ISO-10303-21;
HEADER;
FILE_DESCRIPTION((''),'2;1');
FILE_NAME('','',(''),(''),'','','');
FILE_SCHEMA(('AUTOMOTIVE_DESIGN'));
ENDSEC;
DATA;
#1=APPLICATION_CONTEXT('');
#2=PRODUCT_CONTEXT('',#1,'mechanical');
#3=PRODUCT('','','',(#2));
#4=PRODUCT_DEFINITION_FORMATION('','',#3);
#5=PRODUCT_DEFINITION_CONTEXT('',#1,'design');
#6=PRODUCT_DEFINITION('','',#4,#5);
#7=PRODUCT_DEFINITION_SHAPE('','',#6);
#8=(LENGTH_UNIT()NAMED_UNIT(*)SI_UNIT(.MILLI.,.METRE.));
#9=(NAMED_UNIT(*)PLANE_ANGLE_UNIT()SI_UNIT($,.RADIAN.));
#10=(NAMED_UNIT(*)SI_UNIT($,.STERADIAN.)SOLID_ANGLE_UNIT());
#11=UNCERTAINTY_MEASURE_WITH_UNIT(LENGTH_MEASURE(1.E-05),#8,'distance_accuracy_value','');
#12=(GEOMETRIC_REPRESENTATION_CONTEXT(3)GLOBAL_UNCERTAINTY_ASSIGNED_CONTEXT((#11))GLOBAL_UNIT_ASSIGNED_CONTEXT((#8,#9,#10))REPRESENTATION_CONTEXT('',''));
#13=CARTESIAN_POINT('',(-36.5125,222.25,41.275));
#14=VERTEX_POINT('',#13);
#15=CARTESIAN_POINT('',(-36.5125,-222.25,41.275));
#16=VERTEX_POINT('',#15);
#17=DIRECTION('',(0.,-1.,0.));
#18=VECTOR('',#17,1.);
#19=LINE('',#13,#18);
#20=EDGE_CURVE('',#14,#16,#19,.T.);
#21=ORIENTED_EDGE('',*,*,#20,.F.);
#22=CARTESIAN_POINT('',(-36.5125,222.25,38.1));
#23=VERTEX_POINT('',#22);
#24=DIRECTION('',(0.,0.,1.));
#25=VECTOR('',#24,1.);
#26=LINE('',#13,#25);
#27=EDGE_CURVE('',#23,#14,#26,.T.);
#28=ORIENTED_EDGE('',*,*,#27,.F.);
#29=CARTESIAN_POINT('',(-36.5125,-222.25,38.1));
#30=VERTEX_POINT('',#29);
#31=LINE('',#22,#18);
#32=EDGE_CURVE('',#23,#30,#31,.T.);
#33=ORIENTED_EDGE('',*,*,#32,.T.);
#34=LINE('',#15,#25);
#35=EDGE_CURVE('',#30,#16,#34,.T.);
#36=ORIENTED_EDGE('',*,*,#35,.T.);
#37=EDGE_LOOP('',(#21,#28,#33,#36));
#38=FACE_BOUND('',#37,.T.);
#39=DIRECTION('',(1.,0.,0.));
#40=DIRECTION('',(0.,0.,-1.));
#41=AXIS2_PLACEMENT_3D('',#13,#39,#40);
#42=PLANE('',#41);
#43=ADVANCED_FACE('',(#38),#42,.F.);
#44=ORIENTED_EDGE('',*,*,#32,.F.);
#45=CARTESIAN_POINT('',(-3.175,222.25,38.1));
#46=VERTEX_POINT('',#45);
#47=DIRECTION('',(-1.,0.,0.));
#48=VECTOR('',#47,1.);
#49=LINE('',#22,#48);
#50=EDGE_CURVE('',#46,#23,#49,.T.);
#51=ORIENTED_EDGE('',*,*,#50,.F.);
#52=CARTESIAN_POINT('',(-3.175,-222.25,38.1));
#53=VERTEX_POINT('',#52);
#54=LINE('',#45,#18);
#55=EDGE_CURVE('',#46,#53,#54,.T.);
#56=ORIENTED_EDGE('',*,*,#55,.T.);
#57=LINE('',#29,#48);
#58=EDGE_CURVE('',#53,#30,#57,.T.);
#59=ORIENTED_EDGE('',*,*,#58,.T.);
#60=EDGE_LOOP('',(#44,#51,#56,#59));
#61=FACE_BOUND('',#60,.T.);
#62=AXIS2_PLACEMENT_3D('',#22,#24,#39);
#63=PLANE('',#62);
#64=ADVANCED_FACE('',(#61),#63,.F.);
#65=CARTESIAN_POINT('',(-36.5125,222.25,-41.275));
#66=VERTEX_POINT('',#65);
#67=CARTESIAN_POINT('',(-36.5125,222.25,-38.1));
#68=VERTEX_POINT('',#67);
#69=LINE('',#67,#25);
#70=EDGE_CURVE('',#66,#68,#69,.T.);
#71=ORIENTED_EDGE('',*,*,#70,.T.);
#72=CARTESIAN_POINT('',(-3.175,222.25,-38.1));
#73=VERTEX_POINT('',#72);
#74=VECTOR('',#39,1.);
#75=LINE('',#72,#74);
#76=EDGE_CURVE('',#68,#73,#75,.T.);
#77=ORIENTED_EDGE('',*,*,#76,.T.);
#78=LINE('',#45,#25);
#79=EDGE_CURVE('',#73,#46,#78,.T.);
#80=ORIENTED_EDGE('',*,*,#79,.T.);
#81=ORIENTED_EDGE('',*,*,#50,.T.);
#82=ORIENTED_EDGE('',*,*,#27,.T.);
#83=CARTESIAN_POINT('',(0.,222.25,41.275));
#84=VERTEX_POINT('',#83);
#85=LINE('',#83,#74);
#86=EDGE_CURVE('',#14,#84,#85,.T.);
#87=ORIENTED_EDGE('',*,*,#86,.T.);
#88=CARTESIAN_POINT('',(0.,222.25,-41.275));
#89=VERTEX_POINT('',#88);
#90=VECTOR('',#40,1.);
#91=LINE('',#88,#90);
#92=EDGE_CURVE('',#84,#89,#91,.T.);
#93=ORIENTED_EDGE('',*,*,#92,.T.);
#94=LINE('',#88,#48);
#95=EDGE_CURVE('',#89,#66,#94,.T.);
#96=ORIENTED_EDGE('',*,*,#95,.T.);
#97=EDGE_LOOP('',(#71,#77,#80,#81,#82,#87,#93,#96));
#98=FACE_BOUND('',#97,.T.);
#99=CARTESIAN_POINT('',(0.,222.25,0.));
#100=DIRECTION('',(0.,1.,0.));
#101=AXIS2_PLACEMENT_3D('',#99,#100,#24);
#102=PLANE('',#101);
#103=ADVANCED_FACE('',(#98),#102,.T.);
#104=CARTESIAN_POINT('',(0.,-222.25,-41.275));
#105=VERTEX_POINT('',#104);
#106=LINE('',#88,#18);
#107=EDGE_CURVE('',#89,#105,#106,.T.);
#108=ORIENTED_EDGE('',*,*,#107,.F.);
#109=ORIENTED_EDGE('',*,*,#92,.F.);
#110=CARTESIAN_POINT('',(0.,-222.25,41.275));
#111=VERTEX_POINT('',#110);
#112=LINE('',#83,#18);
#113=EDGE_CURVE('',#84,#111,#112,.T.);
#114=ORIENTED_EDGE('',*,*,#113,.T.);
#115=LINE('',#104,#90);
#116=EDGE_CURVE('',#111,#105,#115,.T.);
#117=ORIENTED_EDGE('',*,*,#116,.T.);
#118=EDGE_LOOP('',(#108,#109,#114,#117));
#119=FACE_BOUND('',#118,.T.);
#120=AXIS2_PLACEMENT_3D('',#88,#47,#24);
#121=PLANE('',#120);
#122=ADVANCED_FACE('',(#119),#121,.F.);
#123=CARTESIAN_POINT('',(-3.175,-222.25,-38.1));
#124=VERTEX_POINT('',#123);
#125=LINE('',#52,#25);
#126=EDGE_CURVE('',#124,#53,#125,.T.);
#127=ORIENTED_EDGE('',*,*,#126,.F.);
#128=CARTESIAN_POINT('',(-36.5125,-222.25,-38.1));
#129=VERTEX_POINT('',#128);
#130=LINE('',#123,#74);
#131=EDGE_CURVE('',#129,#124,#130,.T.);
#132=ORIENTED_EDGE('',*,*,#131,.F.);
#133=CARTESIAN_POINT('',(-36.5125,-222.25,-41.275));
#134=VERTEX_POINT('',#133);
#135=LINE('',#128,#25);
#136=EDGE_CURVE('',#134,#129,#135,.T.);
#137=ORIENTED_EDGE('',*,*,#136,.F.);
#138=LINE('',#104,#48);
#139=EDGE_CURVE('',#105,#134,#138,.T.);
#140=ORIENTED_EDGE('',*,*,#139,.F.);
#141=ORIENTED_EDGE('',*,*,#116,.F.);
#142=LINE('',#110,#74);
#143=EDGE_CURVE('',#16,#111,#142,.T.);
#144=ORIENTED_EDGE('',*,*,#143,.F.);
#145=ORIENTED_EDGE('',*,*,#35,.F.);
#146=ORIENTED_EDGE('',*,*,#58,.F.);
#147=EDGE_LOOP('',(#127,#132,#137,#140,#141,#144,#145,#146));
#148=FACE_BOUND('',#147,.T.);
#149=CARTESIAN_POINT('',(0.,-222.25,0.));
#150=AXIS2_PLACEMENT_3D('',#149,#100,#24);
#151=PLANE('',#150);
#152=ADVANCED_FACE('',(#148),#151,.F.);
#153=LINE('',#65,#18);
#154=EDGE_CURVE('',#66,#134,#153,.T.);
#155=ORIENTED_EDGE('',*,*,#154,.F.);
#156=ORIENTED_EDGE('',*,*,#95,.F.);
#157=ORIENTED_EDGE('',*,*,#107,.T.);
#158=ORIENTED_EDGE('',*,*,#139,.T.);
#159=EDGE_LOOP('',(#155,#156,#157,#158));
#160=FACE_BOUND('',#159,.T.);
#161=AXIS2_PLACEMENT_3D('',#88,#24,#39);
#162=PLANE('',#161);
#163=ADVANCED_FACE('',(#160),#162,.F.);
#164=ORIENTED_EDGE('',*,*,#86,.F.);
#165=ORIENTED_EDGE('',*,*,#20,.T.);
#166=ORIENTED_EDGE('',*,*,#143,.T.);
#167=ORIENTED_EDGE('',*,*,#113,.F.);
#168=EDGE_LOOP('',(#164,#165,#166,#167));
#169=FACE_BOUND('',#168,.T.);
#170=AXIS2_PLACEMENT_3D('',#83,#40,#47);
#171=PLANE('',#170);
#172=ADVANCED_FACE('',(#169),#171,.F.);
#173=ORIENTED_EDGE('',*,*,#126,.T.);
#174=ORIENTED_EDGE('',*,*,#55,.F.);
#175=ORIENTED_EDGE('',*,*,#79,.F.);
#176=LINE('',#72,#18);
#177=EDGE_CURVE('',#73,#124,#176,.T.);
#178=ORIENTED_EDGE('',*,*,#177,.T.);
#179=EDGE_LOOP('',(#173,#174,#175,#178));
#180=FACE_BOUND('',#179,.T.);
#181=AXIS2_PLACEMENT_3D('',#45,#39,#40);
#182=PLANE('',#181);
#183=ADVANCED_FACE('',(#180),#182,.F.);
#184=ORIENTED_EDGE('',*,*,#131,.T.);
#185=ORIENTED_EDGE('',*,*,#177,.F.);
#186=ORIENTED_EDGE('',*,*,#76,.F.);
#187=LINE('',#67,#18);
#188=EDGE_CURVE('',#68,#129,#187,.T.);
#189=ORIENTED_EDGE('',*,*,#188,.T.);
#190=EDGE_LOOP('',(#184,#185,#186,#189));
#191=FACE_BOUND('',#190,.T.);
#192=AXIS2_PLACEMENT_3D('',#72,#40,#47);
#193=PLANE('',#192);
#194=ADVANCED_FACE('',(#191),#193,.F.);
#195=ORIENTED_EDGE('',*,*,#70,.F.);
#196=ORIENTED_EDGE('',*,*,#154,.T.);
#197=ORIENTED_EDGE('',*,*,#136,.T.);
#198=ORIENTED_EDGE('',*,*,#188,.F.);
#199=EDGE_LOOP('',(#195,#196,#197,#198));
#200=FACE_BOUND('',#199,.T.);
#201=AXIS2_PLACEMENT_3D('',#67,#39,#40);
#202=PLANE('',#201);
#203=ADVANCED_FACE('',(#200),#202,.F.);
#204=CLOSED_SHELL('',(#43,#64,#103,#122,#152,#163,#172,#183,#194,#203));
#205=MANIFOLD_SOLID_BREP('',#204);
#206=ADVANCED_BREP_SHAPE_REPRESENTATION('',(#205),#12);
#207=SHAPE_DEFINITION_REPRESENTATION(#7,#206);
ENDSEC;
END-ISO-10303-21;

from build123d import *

# Parameters (mm, degrees)
SALIENTE_EXTRUIR1_DEPTH = 222.25


with BuildPart() as part:
    # Croquis1 → Saliente-Extruir1 (new body, symmetric)
    with BuildSketch(Plane(origin=(0, 0, 0), x_dir=(1, 0, 0), z_dir=(0, 1, 0))):
        Polygon((0, 41.275), (0, -41.275), (-36.5125, -41.275), (-36.5125, -38.1), (-3.175, -38.1), (-3.175, 38.1), (-36.5125, 38.1), (-36.5125, 41.275), align=None)
    extrude(amount=SALIENTE_EXTRUIR1_DEPTH, both=True)


solid = part.part
